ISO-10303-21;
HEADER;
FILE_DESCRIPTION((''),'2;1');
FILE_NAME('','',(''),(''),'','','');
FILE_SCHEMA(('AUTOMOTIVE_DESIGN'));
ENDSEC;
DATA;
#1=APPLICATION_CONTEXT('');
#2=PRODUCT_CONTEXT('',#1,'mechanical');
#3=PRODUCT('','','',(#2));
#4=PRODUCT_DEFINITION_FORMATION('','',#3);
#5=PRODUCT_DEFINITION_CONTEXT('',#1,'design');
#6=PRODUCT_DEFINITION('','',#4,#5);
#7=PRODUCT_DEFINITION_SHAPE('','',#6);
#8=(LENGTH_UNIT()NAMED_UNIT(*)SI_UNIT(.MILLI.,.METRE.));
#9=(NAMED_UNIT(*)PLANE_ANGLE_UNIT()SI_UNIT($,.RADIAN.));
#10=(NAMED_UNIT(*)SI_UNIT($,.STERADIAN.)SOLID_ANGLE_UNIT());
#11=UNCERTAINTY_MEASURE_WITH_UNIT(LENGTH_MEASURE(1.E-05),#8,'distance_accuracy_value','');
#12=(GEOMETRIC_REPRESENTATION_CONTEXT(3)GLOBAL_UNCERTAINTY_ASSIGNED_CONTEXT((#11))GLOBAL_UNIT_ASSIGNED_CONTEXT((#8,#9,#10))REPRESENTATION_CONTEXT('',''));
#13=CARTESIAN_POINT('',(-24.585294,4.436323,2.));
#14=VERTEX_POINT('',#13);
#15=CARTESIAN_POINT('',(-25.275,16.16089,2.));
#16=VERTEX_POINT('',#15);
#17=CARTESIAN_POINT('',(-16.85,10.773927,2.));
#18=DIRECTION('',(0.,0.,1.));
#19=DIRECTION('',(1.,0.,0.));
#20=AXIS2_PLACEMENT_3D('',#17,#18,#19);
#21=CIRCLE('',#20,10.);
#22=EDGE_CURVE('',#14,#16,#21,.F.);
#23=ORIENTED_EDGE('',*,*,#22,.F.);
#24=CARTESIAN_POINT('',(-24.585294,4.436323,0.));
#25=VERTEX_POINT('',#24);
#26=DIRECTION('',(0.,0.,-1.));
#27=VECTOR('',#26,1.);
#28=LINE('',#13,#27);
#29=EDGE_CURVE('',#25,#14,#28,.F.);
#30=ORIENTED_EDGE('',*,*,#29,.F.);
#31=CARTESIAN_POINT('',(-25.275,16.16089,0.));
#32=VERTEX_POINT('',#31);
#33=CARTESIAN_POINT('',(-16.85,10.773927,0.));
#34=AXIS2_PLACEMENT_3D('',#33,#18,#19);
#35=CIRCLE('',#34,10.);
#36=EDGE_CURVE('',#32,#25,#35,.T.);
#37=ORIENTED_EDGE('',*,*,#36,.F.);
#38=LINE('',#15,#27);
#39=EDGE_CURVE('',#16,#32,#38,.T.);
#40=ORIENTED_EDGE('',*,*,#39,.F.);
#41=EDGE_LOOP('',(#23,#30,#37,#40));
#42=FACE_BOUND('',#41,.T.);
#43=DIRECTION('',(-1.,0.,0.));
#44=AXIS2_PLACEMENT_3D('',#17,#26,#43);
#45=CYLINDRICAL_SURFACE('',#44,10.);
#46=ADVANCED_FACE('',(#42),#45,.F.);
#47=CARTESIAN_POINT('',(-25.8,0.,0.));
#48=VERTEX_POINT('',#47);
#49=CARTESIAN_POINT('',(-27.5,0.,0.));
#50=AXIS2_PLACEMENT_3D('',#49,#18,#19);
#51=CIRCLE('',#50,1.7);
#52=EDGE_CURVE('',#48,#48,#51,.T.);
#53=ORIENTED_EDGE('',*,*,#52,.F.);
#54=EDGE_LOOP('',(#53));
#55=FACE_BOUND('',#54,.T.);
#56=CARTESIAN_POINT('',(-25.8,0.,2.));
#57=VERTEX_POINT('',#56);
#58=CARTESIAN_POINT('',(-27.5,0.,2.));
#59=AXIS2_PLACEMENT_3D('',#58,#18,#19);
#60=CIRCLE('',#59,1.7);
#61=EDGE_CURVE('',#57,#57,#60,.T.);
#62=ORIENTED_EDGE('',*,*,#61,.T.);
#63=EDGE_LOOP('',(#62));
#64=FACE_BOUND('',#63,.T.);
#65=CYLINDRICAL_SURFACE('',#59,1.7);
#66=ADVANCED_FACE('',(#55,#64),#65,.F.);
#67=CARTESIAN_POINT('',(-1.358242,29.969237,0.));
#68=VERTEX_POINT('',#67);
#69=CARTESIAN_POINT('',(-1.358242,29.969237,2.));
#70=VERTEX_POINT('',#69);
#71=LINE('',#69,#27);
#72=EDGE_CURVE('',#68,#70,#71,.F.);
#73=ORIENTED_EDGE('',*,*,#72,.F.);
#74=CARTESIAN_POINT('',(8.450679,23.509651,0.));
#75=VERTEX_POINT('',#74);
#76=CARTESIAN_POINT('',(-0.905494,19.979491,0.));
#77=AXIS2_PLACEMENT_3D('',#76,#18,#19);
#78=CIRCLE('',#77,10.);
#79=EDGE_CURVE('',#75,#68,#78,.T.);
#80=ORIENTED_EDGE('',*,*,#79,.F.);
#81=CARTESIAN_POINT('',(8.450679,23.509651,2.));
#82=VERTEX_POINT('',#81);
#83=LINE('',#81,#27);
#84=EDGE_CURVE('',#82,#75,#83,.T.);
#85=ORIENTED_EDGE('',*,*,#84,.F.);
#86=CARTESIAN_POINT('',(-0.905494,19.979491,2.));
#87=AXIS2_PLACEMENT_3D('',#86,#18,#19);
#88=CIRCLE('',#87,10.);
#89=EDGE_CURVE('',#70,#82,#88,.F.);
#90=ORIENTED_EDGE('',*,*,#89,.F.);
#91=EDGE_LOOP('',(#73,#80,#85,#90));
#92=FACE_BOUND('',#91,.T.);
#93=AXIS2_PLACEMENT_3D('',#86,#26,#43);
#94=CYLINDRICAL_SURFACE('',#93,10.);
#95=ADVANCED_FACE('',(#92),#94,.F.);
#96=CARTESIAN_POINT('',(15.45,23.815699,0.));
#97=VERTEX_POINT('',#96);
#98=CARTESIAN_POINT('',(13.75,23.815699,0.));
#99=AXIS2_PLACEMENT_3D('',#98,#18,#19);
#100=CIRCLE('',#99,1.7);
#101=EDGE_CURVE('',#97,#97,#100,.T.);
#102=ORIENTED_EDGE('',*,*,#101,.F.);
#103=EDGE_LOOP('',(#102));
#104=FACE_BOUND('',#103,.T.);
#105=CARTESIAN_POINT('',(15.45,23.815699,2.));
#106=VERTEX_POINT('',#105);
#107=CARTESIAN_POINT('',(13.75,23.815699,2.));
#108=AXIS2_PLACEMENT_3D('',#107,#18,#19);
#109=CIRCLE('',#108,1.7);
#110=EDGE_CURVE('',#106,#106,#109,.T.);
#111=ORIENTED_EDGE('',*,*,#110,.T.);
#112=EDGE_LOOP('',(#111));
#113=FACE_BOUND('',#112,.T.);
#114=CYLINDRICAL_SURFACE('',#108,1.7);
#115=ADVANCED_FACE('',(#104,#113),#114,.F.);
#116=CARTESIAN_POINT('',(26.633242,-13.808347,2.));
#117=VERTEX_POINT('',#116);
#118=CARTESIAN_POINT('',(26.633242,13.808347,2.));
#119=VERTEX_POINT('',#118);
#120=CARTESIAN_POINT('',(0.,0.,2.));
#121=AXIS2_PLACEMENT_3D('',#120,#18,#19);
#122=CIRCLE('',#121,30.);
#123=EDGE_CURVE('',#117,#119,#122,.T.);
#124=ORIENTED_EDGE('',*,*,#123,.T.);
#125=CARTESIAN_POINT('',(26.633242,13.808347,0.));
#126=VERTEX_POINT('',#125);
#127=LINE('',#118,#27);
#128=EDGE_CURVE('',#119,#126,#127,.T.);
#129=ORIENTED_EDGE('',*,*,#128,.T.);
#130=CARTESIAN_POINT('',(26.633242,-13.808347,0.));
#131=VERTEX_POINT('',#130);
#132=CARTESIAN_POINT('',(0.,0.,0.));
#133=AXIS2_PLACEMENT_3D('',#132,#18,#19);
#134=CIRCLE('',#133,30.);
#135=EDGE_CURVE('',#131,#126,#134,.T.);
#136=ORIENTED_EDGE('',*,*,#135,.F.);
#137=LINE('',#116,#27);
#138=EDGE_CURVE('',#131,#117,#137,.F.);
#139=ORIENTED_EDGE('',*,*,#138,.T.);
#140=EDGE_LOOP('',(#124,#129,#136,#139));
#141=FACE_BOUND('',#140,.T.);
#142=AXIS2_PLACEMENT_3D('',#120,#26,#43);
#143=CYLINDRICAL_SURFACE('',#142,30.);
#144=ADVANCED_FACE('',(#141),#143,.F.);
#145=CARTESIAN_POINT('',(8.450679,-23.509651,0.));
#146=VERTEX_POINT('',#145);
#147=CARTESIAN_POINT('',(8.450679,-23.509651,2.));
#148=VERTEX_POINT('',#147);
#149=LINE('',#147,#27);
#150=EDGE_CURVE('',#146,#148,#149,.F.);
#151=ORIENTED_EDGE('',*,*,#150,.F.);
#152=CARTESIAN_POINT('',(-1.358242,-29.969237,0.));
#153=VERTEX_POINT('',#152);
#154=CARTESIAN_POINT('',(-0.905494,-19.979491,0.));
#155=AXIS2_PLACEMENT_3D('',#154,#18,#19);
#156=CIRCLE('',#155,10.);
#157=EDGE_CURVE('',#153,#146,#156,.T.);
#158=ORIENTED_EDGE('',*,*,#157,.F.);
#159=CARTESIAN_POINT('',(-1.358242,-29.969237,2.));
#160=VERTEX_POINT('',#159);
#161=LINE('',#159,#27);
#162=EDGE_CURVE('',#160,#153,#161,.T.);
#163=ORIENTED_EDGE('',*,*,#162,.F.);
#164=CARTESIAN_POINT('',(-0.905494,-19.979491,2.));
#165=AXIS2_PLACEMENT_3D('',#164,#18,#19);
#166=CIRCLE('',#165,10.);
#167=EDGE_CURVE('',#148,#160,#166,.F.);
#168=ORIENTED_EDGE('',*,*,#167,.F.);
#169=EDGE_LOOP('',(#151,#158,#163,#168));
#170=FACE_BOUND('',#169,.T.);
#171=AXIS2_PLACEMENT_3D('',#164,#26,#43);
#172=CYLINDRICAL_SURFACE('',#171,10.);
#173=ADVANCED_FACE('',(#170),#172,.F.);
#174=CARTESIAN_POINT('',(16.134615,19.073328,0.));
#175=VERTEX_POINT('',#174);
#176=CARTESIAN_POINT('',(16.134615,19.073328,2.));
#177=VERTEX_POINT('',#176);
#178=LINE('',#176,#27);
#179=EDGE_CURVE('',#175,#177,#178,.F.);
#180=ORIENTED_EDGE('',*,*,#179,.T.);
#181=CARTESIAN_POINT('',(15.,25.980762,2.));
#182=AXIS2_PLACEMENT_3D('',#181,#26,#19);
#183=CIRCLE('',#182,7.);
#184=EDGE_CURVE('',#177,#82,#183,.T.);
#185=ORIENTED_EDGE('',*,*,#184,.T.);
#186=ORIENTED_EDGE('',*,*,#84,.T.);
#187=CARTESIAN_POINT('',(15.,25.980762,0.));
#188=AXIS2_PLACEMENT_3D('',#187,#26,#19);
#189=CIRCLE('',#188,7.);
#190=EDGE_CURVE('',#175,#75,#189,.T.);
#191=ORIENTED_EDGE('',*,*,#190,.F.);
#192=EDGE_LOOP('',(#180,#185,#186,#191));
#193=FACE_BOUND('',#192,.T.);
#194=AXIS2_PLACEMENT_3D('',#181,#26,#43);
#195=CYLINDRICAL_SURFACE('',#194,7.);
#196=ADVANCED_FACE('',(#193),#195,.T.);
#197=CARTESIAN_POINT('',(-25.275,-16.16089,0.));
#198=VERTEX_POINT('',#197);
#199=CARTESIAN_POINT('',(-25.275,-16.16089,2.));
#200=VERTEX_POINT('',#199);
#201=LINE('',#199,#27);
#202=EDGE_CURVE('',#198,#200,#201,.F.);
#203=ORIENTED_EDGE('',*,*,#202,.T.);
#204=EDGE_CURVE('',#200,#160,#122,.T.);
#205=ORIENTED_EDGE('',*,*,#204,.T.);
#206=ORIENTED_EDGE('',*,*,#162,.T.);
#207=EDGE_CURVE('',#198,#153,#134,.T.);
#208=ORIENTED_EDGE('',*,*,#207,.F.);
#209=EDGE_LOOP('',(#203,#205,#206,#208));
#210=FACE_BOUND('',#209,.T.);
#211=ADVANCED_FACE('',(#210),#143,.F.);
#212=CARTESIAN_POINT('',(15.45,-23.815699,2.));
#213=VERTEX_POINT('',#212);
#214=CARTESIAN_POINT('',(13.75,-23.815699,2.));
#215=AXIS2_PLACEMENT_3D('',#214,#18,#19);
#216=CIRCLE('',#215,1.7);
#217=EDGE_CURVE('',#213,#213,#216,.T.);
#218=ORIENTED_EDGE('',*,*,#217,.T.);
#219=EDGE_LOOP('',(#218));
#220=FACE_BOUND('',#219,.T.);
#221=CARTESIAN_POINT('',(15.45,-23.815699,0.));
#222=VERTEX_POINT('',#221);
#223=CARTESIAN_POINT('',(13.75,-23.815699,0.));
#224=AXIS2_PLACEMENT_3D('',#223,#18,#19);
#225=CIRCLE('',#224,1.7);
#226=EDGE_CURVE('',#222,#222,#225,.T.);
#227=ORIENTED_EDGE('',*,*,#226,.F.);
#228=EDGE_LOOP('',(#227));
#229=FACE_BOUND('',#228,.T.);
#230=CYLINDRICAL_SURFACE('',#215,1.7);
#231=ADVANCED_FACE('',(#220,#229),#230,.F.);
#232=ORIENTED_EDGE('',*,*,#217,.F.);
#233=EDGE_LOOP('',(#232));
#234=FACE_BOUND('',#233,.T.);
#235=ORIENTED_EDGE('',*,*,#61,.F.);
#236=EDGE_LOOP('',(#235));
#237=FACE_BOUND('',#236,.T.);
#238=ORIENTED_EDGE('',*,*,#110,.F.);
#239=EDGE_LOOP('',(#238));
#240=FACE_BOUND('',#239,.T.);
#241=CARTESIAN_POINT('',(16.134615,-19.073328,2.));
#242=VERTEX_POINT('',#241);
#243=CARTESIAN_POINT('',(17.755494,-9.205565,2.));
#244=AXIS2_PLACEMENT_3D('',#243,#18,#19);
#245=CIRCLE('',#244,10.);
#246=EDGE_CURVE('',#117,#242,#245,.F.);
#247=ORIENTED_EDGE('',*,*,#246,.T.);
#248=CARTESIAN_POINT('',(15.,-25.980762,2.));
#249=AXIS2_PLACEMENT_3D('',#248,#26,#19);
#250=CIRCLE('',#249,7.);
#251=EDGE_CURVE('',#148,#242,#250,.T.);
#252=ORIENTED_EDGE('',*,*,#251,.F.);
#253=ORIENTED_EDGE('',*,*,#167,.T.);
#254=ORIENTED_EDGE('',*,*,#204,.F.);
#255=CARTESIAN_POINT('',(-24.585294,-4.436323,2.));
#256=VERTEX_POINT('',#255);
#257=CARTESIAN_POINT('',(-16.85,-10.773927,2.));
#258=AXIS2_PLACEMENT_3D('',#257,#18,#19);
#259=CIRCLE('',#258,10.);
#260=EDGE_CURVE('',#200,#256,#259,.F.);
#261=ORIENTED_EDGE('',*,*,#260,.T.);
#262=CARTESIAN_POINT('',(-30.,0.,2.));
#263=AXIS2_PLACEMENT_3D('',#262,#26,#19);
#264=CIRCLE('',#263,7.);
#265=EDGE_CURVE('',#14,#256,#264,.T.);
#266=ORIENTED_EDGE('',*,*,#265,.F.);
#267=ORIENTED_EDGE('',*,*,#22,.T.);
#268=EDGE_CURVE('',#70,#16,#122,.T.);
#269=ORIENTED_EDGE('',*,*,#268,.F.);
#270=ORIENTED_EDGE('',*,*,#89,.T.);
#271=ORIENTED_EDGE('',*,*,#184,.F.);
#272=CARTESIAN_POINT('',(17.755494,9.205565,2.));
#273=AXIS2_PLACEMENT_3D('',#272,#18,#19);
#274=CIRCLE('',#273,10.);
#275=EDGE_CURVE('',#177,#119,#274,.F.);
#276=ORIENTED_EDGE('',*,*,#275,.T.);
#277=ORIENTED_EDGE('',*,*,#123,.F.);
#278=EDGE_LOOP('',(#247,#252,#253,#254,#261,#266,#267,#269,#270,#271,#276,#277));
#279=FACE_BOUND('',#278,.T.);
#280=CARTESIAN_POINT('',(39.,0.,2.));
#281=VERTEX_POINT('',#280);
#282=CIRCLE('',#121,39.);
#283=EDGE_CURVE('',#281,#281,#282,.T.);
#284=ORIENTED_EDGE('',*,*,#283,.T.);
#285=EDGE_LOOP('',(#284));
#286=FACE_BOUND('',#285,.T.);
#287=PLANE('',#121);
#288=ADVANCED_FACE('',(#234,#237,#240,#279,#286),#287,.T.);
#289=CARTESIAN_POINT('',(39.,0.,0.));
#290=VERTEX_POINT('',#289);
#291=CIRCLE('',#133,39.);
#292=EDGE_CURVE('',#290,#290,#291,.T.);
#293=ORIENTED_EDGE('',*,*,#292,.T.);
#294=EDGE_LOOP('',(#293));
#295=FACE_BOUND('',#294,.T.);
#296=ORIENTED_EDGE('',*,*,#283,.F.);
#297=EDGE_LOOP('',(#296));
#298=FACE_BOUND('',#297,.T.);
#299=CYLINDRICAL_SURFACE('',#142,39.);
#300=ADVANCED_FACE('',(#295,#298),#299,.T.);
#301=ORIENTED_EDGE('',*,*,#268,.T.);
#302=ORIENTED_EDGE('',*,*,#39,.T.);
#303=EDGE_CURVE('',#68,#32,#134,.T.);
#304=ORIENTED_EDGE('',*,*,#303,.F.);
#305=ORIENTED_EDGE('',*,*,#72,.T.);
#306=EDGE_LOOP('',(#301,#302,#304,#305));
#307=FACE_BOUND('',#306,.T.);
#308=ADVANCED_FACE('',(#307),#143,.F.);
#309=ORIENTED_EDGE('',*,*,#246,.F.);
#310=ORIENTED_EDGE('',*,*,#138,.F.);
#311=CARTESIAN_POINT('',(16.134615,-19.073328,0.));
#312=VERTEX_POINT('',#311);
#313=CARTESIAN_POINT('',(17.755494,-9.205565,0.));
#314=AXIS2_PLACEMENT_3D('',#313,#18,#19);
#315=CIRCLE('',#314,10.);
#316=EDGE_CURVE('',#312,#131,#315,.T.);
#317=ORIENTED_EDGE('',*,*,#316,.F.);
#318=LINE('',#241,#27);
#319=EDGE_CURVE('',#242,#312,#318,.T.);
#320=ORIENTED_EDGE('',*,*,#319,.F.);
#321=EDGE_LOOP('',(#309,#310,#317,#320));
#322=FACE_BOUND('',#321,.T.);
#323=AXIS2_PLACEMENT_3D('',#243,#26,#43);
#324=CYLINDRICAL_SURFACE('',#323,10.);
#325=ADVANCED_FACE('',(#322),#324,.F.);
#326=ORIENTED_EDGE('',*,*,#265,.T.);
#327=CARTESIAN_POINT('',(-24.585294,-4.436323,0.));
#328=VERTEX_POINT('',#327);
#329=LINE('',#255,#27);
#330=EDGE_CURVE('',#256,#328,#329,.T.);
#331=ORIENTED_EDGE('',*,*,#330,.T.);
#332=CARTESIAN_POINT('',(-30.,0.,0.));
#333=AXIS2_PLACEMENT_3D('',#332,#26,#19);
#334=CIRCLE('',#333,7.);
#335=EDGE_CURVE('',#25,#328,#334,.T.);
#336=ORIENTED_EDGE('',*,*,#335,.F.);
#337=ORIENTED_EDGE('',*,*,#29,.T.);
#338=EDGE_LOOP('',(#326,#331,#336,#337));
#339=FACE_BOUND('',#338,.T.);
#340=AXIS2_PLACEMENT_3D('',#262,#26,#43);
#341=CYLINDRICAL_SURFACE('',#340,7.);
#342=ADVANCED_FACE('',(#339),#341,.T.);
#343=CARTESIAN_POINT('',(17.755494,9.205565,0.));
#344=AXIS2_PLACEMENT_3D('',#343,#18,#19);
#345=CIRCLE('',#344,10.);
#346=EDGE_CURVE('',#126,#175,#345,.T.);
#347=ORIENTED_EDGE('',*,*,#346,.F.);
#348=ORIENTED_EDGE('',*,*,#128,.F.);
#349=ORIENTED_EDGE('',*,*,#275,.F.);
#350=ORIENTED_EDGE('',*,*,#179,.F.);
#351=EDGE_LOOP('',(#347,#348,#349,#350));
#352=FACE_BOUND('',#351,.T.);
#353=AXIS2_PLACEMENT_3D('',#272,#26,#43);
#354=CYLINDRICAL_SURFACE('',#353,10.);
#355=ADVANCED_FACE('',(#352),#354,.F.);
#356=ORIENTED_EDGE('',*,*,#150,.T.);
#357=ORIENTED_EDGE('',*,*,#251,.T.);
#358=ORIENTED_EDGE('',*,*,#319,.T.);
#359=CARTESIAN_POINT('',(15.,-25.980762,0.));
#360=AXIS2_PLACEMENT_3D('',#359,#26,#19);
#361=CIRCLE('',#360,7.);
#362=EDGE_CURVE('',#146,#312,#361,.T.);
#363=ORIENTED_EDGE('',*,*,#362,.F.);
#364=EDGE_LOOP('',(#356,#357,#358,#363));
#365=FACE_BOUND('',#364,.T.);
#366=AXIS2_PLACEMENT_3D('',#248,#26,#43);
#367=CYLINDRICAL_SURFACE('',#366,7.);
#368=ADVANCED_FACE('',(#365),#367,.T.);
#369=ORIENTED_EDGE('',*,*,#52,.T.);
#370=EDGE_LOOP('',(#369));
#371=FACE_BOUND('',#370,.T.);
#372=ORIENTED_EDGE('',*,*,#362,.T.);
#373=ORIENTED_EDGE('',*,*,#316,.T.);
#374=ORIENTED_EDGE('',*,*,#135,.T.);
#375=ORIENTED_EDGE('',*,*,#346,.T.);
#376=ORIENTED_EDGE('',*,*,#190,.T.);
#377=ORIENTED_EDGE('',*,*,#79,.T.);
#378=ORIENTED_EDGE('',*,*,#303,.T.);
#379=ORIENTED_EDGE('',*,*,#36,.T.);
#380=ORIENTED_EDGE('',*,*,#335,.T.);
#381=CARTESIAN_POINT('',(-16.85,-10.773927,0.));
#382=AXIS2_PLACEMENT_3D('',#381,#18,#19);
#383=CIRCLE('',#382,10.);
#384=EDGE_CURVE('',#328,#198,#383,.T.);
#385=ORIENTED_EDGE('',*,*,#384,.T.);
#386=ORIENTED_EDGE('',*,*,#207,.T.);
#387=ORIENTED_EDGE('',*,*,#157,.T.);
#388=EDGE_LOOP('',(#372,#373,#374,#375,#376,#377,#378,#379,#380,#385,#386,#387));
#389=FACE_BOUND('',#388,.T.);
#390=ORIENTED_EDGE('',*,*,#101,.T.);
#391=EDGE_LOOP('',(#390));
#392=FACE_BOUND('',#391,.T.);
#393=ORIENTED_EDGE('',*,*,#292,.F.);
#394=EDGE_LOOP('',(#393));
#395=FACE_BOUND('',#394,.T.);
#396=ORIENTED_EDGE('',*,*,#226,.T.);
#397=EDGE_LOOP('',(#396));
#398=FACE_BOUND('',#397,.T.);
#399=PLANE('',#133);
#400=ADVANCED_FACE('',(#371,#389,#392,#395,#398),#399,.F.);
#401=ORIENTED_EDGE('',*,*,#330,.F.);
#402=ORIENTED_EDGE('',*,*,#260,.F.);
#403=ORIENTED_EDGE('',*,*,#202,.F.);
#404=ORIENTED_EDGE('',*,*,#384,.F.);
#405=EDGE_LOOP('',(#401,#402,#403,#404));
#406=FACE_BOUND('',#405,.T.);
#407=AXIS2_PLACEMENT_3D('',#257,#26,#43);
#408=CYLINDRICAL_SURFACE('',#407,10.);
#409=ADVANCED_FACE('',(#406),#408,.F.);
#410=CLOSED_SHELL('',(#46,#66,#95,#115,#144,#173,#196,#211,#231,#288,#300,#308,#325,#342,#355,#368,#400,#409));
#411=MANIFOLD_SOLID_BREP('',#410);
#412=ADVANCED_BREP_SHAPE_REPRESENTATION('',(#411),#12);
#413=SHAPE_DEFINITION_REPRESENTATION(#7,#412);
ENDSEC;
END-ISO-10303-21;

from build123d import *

# Parameters (mm, degrees)
SKETCH_1_R        = 39
EXTRUDE_1_DEPTH   = 2
FILLET_1_R        = 10
HOLE_WIZARD_M31_D = 3.4


with BuildPart() as part:
    # Эскиз1 → Бобышка-Вытянуть1 (new body)
    with BuildSketch(Plane.XY):
        Circle(SKETCH_1_R)
        with BuildLine():
            ThreePointArc((20.612446655, -21.797409087), (30, 0), (20.612446655, 21.797409087))
            ThreePointArc((20.612446655, 21.797409087), (11.5, 19.918584287), (8.570886678, 28.749606981))
            ThreePointArc((8.570886678, 28.749606981), (-15, 25.980762114), (-29.183333333, 6.952197894))
            ThreePointArc((-29.183333333, 6.952197894), (-23, 0), (-29.183333333, -6.952197894))
            ThreePointArc((-29.183333333, -6.952197894), (-15, -25.980762114), (8.570886678, -28.749606981))
            ThreePointArc((8.570886678, -28.749606981), (11.5, -19.918584287), (20.612446655, -21.797409087))
        make_face(mode=Mode.SUBTRACT)
    extrude(amount=EXTRUDE_1_DEPTH)

    # Скругление1
    fillet_1_edges = [part.edges().sort_by_distance(p)[0] for p in [
        (-29.183333333, 6.952197894, 1),
        (-29.183333333, -6.952197894, 1),
        (8.570886678, -28.749606981, 1),
        (20.612446655, -21.797409087, 1),
        (20.612446655, 21.797409087, 1),
        (8.570886678, 28.749606981, 1),
    ]]
    fillet(fillet_1_edges, radius=FILLET_1_R)

    # Отверстие с зазором M31 (through all)
    with Locations(Plane.XY.offset(2)):
        with Locations((13.75, 23.815698604), (-27.5, 0), (13.75, -23.815698604)):
            Hole(HOLE_WIZARD_M31_D / 2)


solid = part.part
